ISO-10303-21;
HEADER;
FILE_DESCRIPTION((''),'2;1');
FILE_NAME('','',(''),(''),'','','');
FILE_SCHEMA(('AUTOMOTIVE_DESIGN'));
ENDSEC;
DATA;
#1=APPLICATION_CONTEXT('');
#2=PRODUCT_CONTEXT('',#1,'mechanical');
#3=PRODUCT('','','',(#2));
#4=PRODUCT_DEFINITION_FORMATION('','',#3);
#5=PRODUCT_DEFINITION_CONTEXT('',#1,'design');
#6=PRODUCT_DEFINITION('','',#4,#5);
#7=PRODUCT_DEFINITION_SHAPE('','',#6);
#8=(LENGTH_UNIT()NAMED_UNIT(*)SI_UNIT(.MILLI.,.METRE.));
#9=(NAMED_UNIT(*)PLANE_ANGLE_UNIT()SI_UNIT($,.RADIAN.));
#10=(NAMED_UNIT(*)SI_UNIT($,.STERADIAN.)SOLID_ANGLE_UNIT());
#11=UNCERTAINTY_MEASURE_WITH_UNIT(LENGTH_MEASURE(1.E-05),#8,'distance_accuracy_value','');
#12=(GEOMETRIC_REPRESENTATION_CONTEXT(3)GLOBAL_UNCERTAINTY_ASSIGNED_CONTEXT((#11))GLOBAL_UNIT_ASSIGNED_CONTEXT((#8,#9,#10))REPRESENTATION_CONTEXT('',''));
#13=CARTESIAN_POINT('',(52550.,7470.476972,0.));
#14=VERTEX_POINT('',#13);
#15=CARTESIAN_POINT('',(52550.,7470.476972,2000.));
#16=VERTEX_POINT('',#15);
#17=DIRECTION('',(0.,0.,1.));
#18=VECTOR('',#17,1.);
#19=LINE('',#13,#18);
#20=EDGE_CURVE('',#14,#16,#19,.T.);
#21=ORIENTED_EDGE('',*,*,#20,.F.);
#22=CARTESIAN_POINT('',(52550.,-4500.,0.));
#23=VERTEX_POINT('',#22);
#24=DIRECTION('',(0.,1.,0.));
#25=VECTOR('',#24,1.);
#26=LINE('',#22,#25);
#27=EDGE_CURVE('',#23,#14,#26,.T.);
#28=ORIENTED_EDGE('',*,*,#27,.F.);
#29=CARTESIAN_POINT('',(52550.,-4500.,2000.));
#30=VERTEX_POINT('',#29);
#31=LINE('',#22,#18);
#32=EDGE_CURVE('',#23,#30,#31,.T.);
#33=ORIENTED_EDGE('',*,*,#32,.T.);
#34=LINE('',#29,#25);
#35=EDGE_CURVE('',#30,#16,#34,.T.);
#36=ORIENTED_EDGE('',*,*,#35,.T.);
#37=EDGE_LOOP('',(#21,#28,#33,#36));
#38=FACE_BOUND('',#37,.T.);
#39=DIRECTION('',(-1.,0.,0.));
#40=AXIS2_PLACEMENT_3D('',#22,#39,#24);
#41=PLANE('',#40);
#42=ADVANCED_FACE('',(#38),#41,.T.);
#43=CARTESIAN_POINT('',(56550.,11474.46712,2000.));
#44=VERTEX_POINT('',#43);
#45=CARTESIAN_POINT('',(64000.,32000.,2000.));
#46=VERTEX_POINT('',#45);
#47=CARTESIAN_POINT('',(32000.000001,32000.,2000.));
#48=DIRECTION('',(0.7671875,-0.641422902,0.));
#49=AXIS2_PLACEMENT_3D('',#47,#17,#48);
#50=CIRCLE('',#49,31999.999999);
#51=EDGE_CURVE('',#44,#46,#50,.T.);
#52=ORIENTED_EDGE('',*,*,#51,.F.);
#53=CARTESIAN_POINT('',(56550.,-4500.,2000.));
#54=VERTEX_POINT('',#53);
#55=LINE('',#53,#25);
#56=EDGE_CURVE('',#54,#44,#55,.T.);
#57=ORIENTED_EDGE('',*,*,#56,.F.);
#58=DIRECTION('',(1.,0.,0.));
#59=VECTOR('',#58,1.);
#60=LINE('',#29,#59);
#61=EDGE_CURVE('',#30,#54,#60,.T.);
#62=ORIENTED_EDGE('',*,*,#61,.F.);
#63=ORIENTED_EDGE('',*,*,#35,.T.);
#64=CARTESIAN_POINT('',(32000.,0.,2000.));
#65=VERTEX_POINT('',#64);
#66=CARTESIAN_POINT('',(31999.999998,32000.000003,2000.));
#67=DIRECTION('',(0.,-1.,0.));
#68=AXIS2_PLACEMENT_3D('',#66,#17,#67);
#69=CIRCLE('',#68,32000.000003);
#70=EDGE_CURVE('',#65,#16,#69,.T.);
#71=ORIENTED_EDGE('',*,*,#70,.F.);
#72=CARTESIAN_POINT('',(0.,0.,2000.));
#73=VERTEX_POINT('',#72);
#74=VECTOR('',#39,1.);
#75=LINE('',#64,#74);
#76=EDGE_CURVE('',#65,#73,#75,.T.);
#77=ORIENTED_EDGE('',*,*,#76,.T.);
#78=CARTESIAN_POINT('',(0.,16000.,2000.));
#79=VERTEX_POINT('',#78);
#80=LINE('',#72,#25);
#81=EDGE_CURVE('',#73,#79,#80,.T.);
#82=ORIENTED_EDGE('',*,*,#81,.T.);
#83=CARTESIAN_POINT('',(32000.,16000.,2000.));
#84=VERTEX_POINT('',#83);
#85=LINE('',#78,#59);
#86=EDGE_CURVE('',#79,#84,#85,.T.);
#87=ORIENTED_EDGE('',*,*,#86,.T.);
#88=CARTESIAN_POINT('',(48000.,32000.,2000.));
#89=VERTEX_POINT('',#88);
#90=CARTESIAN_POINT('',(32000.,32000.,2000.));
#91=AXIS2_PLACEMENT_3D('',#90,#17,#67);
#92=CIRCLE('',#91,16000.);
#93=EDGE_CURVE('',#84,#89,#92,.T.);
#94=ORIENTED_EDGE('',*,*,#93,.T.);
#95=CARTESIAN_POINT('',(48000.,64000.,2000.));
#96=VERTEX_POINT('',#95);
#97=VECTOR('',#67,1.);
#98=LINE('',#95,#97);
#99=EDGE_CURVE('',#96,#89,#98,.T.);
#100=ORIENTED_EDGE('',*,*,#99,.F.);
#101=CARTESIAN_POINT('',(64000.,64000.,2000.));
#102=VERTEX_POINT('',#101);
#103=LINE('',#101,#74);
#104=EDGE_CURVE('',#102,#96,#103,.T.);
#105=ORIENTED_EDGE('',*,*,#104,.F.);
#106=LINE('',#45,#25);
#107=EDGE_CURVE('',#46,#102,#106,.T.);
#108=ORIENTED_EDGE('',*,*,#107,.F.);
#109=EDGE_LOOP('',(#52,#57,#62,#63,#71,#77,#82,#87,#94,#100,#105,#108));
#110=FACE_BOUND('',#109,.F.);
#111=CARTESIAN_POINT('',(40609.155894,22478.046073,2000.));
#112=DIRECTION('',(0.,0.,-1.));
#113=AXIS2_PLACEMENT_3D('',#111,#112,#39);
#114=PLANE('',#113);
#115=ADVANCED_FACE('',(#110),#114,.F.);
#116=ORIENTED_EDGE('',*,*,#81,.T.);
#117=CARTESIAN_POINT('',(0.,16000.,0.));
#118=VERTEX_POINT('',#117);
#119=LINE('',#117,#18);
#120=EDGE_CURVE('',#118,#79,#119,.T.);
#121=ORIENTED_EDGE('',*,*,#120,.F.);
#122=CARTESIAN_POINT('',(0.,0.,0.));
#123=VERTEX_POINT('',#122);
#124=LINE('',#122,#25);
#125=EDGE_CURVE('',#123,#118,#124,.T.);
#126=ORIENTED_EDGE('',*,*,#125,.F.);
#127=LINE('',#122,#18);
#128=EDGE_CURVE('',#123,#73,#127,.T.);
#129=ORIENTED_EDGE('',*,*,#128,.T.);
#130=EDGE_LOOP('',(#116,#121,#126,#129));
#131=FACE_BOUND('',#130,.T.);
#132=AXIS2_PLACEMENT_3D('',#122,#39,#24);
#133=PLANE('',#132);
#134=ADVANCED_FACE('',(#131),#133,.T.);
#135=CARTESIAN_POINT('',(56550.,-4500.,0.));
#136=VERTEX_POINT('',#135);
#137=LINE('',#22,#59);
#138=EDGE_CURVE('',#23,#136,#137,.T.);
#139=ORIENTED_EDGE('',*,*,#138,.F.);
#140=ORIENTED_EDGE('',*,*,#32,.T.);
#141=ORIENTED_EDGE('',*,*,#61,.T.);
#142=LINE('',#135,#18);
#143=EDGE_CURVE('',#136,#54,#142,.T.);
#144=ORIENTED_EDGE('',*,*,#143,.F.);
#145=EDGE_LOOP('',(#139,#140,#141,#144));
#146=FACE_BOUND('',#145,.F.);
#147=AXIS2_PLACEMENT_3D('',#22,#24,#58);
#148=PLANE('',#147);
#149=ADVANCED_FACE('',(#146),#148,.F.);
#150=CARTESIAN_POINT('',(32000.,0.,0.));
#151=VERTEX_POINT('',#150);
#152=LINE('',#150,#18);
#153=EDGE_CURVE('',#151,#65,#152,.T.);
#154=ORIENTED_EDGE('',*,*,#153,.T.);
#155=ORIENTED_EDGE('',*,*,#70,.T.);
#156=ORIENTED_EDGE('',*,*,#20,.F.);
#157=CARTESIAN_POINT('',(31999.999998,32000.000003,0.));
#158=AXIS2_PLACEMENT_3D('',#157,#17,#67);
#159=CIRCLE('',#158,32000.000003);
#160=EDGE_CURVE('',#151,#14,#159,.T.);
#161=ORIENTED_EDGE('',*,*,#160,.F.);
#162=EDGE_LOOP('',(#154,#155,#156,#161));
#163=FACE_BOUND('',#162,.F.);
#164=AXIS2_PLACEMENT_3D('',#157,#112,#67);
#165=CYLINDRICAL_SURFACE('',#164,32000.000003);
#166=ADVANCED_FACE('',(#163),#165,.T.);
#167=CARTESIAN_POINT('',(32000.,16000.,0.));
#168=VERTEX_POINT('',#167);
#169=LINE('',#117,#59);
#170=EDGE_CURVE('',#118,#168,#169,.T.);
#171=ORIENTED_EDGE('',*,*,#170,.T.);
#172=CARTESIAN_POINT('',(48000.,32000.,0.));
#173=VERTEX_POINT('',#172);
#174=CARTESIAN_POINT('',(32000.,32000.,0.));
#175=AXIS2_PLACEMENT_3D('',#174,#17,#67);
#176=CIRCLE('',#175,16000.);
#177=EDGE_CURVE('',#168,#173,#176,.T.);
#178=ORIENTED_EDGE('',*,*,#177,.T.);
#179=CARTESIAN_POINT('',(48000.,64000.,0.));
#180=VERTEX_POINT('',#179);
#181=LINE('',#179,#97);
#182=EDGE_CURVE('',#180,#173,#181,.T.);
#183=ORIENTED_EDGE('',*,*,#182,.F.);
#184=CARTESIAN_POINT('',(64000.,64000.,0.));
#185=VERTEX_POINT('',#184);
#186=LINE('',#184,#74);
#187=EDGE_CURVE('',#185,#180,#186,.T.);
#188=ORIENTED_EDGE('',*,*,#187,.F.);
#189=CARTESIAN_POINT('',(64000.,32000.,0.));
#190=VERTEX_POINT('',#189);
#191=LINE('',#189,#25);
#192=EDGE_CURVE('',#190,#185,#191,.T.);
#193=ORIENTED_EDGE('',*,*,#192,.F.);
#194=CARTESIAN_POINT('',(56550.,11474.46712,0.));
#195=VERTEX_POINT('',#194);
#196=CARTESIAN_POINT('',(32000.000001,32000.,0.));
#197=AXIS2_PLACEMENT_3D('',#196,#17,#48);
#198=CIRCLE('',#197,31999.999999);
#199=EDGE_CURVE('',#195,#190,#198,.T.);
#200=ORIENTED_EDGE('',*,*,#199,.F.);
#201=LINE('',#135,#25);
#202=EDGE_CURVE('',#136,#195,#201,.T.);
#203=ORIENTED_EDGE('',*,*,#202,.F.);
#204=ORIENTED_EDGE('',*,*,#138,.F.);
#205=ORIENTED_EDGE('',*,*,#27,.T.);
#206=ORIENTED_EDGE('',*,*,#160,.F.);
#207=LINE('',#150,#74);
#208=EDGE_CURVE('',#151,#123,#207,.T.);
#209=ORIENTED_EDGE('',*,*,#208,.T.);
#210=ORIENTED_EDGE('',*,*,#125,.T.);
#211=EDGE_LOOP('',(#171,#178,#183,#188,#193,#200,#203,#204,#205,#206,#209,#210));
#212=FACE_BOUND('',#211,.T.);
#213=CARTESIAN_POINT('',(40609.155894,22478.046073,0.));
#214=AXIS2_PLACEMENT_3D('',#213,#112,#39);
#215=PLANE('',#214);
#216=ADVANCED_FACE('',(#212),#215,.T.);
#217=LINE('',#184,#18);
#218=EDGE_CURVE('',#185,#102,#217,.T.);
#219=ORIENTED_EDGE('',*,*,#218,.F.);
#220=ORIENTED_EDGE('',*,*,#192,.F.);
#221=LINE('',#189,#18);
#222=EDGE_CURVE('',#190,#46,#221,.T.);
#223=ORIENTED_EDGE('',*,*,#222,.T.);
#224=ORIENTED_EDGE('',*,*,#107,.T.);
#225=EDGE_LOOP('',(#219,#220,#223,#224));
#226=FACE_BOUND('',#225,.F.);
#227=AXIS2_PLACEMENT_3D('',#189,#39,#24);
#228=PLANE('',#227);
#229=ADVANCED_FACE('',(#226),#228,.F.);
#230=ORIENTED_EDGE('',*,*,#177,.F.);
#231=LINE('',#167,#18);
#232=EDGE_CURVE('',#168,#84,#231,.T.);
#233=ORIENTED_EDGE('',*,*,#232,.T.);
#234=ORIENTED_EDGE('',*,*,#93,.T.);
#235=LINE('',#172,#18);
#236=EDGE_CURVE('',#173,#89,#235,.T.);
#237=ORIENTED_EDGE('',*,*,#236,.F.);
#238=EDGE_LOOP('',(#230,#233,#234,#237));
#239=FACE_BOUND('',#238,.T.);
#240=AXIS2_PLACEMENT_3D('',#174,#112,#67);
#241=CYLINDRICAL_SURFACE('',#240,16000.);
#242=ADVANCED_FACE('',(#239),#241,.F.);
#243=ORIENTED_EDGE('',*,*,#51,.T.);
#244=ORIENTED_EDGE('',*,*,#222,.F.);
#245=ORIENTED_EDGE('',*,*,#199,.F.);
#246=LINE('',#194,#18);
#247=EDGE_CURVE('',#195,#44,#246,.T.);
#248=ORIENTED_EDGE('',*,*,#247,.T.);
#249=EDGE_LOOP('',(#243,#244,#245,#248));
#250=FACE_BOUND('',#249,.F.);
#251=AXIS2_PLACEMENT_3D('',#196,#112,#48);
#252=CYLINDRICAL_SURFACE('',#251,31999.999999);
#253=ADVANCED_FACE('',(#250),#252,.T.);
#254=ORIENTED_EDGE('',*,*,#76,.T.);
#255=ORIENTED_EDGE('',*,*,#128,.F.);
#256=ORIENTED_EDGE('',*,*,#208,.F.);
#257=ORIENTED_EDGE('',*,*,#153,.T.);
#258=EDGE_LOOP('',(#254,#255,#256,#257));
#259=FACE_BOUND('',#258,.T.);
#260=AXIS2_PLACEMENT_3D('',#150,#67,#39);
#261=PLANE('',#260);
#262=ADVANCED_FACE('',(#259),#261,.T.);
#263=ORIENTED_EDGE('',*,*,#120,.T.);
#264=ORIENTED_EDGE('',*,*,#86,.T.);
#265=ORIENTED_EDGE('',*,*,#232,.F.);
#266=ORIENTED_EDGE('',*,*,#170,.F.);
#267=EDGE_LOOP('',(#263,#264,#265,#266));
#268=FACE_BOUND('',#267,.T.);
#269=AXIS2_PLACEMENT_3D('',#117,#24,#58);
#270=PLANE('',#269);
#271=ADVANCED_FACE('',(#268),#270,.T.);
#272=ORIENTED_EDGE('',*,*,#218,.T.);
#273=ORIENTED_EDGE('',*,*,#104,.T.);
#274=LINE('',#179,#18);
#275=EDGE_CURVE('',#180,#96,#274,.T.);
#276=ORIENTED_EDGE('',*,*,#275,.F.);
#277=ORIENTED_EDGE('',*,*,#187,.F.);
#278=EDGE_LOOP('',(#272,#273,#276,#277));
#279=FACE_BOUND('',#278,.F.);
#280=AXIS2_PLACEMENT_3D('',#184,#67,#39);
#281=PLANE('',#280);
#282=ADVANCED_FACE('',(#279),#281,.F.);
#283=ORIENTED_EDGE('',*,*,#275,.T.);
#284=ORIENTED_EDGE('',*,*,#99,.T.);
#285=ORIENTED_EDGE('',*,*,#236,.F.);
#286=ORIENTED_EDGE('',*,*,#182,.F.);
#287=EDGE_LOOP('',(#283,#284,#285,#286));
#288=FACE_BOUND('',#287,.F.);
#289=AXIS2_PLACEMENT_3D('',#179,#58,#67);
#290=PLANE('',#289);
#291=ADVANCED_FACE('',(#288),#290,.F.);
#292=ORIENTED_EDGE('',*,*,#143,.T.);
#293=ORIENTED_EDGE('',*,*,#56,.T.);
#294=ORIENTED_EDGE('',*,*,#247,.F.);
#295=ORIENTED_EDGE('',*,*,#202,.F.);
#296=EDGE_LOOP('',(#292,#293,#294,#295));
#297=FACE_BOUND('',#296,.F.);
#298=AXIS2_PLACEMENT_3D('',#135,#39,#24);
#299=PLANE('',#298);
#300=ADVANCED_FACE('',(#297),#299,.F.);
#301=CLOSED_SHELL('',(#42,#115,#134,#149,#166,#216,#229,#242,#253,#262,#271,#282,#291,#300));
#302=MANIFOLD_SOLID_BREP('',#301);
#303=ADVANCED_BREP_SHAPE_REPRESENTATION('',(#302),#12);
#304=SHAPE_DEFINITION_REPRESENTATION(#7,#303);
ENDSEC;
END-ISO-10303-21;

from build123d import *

# Parameters (mm, degrees)
PAD_DEPTH = 2000


with BuildPart() as part:
    # Sketch → Pad (new body)
    with BuildSketch(Plane.XY):
        with BuildLine():
            Line((0, 16000), (32000, 16000))
            ThreePointArc((32000, 16000), (43313.708499, 20686.291501), (48000, 32000))
            Line((48000, 64000), (48000, 32000))
            Line((64000, 64000), (48000, 64000))
            Line((64000, 32000), (64000, 64000))
            ThreePointArc((56550, 11474.46712), (62079.893617, 21082.124749), (64000, 32000))
            Line((56550, -4500), (56550, 11474.46712))
            Line((52550, -4500), (56550, -4500))
            Line((52550, -4500), (52550, 7470.476972))
            ThreePointArc((32000, 0), (42932.869319, 1925.552899), (52550, 7470.476972))
            Line((32000, 0), (0, 0))
            Line((0, 0), (0, 16000))
        make_face()
    extrude(amount=PAD_DEPTH)


solid = part.part
